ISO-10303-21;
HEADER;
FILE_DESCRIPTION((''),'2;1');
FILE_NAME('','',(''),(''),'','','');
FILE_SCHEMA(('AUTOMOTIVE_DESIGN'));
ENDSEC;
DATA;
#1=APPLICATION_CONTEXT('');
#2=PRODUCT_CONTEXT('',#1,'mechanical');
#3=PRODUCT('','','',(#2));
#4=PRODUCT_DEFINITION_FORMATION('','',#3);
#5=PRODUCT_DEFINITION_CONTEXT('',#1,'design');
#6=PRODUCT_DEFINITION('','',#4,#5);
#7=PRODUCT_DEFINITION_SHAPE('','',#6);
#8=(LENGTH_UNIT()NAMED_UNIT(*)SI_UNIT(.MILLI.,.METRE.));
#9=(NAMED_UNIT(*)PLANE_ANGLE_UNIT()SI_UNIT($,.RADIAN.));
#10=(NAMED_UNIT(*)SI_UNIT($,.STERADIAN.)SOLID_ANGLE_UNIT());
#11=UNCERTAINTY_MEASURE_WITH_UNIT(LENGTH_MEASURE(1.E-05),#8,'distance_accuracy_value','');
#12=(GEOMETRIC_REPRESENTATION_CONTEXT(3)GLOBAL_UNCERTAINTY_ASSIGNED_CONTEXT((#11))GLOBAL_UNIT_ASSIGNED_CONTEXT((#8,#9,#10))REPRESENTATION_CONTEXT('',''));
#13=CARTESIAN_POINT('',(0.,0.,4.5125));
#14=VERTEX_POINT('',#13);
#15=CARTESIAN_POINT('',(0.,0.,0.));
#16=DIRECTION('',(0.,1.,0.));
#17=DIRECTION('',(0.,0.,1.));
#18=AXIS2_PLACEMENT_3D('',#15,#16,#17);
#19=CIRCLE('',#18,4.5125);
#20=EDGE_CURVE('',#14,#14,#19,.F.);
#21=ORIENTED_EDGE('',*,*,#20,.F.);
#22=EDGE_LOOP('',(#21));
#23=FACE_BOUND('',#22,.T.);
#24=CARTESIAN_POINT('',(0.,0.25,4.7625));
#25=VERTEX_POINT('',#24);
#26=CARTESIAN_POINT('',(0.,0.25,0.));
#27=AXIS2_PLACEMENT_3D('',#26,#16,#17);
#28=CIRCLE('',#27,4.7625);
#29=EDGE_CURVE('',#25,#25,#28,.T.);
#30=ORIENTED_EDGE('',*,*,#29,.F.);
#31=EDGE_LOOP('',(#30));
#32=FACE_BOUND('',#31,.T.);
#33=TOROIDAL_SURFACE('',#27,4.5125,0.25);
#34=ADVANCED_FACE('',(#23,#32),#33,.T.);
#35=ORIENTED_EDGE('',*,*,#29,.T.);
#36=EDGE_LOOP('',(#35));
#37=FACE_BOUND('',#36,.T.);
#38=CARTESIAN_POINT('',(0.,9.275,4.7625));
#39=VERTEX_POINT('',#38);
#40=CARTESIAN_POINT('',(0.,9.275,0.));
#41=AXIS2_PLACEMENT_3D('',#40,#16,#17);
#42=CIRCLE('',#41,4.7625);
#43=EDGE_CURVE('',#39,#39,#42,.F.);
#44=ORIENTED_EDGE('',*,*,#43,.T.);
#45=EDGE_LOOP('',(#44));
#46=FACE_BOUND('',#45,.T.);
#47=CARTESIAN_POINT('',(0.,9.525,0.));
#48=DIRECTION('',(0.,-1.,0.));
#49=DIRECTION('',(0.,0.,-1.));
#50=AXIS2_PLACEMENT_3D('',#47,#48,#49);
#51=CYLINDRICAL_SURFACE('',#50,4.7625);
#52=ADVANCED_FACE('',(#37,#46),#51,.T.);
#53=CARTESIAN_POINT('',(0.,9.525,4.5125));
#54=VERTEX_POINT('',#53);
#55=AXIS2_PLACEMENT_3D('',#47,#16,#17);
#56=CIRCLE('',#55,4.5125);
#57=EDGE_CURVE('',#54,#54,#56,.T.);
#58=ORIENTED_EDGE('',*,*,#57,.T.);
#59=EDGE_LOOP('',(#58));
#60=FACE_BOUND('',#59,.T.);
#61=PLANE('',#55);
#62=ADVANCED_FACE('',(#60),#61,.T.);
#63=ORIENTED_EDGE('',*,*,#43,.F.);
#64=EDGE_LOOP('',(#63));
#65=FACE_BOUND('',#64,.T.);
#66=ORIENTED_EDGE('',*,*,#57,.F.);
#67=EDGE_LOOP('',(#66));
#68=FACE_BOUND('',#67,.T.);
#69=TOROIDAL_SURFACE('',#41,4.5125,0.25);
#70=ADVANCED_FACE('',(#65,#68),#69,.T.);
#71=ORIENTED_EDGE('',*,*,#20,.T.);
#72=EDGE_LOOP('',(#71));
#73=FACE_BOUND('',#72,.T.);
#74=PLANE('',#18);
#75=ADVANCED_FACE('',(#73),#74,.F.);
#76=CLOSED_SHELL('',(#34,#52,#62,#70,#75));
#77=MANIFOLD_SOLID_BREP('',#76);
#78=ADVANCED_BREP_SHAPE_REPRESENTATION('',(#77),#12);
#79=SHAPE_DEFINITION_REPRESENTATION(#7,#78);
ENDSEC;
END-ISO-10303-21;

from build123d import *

# Parameters (mm, degrees)
SKETCH1_R           = 4.7625
BOSS_EXTRUDE1_DEPTH = 9.525
FILLET1_R           = 0.25


with BuildPart() as part:
    # Sketch1 → Boss-Extrude1 (new body)
    with BuildSketch(Plane(origin=(0, 0, 0), x_dir=(1, 0, 0), z_dir=(0, 1, 0))):
        Circle(SKETCH1_R)
    extrude(amount=BOSS_EXTRUDE1_DEPTH)

    # Fillet1
    fillet1_edges = [part.edges().sort_by_distance(p)[0] for p in [
        (-4.7625, 0, 0),
        (-4.7625, 9.525, 0),
    ]]
    fillet(fillet1_edges, radius=FILLET1_R)


solid = part.part
